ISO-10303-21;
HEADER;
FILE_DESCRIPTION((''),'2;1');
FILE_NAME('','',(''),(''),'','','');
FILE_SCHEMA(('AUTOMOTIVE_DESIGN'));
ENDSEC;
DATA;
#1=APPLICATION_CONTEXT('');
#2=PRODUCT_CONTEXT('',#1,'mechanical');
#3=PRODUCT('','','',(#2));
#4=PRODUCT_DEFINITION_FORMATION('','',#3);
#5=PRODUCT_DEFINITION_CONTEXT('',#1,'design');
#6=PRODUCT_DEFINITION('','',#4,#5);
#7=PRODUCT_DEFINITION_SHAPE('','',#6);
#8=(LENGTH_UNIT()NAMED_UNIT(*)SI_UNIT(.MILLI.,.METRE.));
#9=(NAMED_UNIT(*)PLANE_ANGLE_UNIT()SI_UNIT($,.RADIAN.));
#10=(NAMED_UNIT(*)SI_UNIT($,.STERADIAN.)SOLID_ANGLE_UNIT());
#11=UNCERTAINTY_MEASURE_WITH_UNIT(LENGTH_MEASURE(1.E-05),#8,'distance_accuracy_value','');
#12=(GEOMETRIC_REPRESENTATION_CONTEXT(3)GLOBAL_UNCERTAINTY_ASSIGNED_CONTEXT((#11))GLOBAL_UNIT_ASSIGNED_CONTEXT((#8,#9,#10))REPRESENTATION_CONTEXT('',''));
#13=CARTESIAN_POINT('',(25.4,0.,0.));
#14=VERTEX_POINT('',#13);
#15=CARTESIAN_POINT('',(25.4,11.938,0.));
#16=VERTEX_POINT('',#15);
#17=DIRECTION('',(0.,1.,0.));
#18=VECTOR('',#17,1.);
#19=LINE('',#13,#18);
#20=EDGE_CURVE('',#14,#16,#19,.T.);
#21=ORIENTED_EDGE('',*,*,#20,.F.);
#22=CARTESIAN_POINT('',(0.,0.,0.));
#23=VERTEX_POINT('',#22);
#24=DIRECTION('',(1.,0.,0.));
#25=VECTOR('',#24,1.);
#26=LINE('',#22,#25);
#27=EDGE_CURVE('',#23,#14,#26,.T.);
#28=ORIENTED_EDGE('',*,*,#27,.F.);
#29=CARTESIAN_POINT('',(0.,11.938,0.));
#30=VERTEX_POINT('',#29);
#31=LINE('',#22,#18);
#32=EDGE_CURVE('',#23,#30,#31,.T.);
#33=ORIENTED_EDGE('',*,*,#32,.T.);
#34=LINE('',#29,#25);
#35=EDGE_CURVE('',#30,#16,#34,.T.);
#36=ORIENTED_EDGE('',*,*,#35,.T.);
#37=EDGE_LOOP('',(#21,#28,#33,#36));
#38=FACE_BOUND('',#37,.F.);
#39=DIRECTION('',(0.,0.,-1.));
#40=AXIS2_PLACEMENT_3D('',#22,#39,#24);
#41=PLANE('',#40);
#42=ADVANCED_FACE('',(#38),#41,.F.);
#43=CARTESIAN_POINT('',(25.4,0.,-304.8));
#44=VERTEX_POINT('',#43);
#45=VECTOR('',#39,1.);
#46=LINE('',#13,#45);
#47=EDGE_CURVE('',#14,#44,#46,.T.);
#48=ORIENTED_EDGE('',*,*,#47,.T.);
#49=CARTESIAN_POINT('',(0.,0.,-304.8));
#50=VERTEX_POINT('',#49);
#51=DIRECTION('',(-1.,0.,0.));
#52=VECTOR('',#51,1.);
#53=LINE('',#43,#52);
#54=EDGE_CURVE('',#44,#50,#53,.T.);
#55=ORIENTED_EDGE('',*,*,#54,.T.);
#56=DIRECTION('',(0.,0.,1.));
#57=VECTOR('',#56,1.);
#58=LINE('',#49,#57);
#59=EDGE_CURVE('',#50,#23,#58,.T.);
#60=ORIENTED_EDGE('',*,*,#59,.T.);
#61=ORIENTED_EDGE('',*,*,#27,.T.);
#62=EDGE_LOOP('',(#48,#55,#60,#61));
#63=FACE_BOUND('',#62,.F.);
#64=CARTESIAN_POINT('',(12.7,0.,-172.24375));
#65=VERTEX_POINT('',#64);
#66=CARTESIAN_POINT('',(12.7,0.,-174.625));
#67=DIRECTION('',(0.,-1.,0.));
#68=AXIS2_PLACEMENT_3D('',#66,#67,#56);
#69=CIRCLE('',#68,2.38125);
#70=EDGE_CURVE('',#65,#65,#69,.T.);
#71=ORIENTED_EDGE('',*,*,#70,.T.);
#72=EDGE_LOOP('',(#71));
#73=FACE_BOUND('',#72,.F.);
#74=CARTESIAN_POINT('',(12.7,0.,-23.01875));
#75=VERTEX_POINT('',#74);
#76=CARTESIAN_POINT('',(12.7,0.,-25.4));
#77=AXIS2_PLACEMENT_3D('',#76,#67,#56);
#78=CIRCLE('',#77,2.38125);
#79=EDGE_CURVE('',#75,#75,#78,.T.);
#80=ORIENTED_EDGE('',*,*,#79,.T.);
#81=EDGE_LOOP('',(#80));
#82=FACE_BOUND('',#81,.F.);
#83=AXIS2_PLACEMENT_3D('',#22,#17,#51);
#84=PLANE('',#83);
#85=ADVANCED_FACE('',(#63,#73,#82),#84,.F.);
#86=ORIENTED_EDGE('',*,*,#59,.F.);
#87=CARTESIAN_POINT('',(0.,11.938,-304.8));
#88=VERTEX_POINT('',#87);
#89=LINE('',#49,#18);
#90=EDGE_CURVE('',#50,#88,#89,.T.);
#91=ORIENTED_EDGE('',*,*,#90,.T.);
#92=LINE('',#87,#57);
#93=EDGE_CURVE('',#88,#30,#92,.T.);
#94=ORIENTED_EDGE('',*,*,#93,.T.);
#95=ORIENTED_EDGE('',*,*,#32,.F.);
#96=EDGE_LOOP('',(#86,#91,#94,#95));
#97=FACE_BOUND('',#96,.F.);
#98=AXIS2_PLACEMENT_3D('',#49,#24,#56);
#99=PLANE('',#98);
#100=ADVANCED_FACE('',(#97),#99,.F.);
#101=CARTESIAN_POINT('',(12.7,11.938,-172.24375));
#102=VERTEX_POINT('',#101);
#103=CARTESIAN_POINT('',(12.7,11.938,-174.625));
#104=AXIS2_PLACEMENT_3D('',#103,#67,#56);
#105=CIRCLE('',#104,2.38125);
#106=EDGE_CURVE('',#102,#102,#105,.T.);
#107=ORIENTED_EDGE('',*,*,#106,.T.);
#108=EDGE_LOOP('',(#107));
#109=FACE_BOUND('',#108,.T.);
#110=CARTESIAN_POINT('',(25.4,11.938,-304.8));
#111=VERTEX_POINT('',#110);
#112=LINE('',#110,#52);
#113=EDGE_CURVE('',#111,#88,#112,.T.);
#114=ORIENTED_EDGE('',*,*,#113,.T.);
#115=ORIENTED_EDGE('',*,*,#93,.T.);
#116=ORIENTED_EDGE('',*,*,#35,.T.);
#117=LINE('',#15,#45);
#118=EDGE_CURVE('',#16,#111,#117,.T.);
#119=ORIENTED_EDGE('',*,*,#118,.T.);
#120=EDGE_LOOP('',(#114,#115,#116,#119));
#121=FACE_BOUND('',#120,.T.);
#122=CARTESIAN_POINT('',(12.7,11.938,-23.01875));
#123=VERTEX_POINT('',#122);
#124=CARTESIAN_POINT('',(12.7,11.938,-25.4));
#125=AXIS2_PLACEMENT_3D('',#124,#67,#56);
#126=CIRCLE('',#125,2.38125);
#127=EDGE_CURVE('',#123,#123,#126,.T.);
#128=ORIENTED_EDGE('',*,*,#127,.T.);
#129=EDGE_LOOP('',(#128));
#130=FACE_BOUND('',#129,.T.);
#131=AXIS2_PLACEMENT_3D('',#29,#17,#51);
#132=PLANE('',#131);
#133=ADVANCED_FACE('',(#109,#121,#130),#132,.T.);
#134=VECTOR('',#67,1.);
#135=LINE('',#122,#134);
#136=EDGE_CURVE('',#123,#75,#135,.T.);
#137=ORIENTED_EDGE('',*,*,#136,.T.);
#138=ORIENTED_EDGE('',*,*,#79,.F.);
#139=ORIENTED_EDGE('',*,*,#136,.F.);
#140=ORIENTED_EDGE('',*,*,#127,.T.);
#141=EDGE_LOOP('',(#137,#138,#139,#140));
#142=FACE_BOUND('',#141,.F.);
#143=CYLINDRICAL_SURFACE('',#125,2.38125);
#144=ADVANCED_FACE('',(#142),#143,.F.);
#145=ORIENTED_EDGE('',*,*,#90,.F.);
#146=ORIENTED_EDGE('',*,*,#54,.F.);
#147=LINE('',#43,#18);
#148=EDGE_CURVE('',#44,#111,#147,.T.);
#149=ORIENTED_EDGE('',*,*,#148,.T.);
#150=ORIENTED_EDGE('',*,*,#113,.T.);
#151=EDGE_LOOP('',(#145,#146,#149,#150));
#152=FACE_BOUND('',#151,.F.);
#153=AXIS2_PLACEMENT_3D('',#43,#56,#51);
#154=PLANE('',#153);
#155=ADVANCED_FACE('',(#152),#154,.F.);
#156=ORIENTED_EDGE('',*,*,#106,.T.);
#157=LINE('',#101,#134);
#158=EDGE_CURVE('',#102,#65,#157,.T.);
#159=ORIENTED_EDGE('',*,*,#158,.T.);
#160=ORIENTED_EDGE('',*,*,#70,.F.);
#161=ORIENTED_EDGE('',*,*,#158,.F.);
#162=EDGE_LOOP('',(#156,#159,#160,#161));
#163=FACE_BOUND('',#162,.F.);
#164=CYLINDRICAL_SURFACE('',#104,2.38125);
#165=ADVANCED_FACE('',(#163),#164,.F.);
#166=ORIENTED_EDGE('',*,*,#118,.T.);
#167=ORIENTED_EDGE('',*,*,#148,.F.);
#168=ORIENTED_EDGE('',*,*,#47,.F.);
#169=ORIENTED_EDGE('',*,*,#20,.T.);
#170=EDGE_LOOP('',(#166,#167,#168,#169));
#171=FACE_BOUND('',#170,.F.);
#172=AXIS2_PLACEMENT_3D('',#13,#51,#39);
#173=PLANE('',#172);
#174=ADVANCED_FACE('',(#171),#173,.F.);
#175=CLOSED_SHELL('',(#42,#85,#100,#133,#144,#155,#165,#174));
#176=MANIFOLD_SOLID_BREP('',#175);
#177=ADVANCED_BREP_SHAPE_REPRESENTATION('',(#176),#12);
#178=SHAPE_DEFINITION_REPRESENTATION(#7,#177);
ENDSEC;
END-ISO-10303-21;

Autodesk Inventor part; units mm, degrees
ref_plane "YZ Plane" through (0, 0, 0) normal (1, 0, 0) x (0, 1, 0)
ref_plane "XZ Plane" through (0, 0, 0) normal (0, 1, 0) x (-1, 0, 0)
ref_plane "XY Plane" through (0, 0, 0) normal (0, 0, 1) x (1, 0, 0)
sketch "Sketch1" plane through (0, 0, 0) normal (0, 1, 0) x (-1, 0, 0)
  line L0 (0, 0) -> (-25.4, 0)
  line L1 (-25.4, 0) -> (-25.4, -304.8)
  line L2 (-25.4, -304.8) -> (0, -304.8)
  line L3 (0, -304.8) -> (0, 0)
  dimension "d0" = 25.4
  dimension "d1" = 304.8
extrude "Extrusion1" add sketch "Sketch1" along normal blind 11.938
sketch "Sketch2" plane through (0, 11.938, 0) normal (0, 1, 0) x (1, 0, 0)
  line L0 (0, 0) -> (25.4, 0) projected
  line L1 (12.7, 0) -> (12.7, 304.8) construction
  line L2 (25.4, 304.8) -> (0, 304.8) projected
  line L3 (12.7, 0) -> (12.7, 25.4) construction
  line L4 (12.7, 25.4) -> (0, 25.4) construction
  line L5 (0, 25.4) -> (25.4, 25.4) construction
  line L6 (25.4, 0) -> (25.4, 304.8) construction
  circle A0 centre (12.7, 25.4) radius 2.3813 construction
  line L7 (12.7, 0) -> (12.7, 174.625) construction
  circle A1 centre (12.7, 174.625) radius 2.3812 construction
  dimension "d4" = 25.4
  dimension "d5" = 4.7625
  dimension "d6" = 174.625
  dimension "d7" = 4.7625
hole "Hole1" at (12.7, 11.938, -25.4) at (12.7, 11.938, -174.625) direction (0, -1, 0) diameter 4.7625 end through all
sketch "Sketch3" plane through (0, 0, 0) normal (0, -1, 0) x (1, 0, 0)
  point P0 (0, 0)
properties part number "pincer"
